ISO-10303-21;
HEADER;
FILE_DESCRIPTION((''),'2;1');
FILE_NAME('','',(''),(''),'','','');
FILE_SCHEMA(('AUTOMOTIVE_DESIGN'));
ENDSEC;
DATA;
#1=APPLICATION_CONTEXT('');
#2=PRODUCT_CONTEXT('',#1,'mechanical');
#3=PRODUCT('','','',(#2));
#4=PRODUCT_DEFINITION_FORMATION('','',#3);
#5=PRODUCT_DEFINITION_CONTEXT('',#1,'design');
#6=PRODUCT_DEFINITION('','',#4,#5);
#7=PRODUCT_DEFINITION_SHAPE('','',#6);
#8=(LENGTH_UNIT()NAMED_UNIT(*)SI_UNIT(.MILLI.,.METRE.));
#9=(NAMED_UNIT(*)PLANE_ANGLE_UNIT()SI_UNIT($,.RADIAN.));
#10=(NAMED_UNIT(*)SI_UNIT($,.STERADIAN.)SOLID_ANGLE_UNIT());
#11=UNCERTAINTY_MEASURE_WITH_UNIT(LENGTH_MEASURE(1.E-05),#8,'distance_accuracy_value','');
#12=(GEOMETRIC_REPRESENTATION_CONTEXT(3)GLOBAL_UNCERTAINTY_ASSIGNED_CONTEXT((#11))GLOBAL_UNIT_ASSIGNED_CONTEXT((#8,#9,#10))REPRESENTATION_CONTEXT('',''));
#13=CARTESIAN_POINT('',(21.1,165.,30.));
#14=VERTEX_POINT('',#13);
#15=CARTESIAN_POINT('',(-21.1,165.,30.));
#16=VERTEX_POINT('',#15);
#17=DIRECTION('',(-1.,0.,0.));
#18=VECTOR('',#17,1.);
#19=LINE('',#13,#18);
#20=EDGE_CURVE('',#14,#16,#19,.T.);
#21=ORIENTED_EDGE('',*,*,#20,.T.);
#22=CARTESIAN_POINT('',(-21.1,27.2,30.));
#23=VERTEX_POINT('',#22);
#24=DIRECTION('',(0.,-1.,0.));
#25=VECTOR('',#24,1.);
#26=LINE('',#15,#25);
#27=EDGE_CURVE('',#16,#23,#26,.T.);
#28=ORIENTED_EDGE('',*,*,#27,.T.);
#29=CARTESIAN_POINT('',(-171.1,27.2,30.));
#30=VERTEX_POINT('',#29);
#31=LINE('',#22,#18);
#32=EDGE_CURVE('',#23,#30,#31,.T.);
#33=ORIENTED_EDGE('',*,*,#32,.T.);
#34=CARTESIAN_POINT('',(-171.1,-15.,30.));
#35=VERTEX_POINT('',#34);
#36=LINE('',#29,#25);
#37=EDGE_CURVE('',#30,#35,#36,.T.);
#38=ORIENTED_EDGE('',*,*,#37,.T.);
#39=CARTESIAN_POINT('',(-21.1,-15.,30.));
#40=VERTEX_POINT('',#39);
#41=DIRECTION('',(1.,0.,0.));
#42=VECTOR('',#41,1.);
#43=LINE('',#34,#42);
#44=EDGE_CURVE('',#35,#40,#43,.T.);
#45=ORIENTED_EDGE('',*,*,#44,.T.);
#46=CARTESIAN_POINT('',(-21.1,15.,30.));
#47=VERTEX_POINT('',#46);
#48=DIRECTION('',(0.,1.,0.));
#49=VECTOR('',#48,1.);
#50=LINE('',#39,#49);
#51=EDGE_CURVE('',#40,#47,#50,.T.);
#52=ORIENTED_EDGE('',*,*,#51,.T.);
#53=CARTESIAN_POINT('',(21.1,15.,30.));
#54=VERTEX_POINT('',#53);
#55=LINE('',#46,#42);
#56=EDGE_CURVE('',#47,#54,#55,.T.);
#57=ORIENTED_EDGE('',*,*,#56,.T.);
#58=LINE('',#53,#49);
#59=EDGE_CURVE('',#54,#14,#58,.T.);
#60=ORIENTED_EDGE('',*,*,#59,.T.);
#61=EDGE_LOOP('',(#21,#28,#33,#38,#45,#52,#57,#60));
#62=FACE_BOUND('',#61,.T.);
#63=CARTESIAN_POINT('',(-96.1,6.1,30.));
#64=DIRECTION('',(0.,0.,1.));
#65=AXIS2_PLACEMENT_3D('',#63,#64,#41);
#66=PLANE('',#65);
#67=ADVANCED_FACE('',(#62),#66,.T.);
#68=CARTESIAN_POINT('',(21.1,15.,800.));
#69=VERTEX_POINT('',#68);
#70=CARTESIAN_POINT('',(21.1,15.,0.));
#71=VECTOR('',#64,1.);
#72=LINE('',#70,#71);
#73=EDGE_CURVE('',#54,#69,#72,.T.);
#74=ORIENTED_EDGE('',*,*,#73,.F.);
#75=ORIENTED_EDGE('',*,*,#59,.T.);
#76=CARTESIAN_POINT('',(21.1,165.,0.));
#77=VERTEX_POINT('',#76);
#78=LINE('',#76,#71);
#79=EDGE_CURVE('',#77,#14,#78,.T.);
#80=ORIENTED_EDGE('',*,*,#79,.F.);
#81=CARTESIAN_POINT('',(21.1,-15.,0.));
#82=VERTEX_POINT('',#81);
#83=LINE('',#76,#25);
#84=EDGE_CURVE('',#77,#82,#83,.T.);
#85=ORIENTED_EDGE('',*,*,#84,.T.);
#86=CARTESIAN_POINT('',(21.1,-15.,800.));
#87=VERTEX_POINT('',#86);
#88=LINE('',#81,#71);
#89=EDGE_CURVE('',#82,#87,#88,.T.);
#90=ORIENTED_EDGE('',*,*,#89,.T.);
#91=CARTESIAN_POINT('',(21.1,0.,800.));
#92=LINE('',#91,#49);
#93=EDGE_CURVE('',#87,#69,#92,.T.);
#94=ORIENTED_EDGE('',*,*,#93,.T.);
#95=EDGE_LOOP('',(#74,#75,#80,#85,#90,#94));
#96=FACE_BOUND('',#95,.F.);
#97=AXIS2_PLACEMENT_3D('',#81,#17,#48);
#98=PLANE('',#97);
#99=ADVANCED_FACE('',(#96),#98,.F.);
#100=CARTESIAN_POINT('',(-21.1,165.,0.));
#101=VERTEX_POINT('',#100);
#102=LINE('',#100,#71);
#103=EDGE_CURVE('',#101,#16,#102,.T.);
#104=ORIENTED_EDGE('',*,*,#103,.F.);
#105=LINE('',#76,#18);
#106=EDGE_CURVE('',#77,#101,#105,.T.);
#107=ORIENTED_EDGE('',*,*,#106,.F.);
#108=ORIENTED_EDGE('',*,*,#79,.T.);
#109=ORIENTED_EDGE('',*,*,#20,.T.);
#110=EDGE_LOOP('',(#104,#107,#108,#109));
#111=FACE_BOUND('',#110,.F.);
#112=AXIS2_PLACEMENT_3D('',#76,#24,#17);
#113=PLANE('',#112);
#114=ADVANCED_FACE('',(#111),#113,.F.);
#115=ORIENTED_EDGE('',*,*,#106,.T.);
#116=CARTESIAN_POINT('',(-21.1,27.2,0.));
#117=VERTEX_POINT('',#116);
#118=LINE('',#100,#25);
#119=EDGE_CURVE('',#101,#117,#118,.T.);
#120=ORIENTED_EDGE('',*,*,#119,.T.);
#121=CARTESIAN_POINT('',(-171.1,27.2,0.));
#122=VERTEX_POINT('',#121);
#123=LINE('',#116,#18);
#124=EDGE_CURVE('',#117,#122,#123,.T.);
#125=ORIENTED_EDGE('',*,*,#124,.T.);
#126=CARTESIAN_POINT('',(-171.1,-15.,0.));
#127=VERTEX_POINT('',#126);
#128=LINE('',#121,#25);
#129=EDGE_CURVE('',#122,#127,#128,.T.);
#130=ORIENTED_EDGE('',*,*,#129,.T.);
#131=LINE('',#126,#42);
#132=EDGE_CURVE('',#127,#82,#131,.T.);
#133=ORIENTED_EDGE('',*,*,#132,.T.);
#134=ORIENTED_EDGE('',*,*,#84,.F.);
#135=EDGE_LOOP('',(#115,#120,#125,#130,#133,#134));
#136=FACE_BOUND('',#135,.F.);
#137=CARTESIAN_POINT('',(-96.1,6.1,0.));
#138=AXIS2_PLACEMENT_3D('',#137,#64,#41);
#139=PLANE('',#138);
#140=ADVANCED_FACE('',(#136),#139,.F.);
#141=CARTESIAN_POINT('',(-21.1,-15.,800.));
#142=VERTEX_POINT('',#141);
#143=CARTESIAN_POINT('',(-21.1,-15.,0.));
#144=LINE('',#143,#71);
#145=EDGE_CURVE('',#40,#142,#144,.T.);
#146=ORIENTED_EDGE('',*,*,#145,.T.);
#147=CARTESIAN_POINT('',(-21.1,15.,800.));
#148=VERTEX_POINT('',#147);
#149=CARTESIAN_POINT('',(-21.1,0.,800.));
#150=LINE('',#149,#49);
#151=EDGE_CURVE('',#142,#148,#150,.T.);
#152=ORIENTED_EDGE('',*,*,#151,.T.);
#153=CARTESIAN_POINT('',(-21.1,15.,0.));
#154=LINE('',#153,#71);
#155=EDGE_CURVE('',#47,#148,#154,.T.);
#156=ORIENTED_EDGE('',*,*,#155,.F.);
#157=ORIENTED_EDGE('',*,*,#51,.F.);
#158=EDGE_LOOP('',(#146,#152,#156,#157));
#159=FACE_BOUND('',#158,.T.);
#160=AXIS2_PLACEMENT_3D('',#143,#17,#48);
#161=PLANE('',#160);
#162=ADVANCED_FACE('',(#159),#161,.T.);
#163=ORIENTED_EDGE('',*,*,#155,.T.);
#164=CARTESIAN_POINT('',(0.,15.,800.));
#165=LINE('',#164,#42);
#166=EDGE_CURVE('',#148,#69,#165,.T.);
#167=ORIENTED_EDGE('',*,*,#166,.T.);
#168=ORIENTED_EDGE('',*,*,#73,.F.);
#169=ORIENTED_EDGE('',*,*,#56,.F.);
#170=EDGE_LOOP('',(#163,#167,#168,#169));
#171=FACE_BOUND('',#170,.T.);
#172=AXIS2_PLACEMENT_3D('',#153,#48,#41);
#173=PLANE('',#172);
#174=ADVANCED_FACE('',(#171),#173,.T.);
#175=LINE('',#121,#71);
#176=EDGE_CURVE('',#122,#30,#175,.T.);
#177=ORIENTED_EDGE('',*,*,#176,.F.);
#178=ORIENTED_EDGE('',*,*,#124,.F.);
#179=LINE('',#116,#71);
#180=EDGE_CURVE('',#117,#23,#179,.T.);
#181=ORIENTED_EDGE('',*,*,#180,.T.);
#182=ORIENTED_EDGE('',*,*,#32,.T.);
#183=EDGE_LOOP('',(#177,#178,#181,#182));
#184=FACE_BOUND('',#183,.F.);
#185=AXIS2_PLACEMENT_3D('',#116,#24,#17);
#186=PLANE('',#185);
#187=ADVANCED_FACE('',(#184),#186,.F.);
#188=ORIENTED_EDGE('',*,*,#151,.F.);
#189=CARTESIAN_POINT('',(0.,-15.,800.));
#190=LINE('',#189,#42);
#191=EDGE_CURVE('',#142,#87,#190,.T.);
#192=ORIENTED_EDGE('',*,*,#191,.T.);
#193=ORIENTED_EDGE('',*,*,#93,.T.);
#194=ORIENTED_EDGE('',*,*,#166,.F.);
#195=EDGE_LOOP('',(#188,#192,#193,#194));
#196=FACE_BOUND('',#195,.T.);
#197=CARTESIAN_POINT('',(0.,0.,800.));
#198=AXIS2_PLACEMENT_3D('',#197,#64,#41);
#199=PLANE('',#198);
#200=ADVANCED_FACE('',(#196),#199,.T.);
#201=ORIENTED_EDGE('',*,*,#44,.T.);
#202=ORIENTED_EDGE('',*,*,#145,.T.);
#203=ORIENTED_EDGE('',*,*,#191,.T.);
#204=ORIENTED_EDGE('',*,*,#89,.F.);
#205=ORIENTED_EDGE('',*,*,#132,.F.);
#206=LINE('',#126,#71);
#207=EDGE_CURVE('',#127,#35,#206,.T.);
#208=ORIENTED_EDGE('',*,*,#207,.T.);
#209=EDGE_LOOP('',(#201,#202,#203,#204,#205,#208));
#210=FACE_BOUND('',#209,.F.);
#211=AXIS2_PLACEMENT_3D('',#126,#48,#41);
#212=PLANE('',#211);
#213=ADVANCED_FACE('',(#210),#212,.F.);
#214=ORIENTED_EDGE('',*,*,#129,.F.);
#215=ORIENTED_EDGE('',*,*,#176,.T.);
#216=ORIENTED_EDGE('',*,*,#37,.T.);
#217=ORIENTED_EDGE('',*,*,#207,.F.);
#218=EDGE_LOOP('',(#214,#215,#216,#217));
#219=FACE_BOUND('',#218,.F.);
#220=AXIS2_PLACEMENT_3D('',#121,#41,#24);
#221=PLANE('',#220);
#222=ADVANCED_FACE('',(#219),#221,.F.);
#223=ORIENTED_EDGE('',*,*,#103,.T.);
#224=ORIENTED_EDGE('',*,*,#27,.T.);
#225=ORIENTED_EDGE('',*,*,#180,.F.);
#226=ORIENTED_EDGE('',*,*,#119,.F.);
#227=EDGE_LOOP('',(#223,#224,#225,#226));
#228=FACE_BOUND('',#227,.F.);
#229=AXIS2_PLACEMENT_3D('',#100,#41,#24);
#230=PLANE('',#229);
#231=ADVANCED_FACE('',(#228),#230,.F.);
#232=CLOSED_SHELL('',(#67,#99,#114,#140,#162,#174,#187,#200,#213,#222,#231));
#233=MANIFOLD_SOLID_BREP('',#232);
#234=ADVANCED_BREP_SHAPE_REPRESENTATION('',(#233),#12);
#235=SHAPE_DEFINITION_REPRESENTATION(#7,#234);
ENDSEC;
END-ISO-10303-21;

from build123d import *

# Parameters (mm, degrees)
F0_W     = 42.2
F0_H     = 30
F1_DEPTH = 800
F2_DEPTH = 30


with BuildPart() as f1:
    # F0 (on Top) → F1 (new body)
    with BuildSketch(Plane.XY):
        Rectangle(F0_W, F0_H)
    extrude(amount=F1_DEPTH)

    # F0 (on Top) → F2 (join)
    with BuildSketch(Plane.XY):
        Polygon((-171.1, -15), (-21.1, -15), (-21.1, 15), (-21.1, 27.2), (-171.1, 27.2), align=None)
        Polygon((-21.1, 15), (21.1, 15), (21.1, 165), (-21.1, 165), (-21.1, 27.2), align=None)
    extrude(amount=F2_DEPTH)


solid = f1.part
